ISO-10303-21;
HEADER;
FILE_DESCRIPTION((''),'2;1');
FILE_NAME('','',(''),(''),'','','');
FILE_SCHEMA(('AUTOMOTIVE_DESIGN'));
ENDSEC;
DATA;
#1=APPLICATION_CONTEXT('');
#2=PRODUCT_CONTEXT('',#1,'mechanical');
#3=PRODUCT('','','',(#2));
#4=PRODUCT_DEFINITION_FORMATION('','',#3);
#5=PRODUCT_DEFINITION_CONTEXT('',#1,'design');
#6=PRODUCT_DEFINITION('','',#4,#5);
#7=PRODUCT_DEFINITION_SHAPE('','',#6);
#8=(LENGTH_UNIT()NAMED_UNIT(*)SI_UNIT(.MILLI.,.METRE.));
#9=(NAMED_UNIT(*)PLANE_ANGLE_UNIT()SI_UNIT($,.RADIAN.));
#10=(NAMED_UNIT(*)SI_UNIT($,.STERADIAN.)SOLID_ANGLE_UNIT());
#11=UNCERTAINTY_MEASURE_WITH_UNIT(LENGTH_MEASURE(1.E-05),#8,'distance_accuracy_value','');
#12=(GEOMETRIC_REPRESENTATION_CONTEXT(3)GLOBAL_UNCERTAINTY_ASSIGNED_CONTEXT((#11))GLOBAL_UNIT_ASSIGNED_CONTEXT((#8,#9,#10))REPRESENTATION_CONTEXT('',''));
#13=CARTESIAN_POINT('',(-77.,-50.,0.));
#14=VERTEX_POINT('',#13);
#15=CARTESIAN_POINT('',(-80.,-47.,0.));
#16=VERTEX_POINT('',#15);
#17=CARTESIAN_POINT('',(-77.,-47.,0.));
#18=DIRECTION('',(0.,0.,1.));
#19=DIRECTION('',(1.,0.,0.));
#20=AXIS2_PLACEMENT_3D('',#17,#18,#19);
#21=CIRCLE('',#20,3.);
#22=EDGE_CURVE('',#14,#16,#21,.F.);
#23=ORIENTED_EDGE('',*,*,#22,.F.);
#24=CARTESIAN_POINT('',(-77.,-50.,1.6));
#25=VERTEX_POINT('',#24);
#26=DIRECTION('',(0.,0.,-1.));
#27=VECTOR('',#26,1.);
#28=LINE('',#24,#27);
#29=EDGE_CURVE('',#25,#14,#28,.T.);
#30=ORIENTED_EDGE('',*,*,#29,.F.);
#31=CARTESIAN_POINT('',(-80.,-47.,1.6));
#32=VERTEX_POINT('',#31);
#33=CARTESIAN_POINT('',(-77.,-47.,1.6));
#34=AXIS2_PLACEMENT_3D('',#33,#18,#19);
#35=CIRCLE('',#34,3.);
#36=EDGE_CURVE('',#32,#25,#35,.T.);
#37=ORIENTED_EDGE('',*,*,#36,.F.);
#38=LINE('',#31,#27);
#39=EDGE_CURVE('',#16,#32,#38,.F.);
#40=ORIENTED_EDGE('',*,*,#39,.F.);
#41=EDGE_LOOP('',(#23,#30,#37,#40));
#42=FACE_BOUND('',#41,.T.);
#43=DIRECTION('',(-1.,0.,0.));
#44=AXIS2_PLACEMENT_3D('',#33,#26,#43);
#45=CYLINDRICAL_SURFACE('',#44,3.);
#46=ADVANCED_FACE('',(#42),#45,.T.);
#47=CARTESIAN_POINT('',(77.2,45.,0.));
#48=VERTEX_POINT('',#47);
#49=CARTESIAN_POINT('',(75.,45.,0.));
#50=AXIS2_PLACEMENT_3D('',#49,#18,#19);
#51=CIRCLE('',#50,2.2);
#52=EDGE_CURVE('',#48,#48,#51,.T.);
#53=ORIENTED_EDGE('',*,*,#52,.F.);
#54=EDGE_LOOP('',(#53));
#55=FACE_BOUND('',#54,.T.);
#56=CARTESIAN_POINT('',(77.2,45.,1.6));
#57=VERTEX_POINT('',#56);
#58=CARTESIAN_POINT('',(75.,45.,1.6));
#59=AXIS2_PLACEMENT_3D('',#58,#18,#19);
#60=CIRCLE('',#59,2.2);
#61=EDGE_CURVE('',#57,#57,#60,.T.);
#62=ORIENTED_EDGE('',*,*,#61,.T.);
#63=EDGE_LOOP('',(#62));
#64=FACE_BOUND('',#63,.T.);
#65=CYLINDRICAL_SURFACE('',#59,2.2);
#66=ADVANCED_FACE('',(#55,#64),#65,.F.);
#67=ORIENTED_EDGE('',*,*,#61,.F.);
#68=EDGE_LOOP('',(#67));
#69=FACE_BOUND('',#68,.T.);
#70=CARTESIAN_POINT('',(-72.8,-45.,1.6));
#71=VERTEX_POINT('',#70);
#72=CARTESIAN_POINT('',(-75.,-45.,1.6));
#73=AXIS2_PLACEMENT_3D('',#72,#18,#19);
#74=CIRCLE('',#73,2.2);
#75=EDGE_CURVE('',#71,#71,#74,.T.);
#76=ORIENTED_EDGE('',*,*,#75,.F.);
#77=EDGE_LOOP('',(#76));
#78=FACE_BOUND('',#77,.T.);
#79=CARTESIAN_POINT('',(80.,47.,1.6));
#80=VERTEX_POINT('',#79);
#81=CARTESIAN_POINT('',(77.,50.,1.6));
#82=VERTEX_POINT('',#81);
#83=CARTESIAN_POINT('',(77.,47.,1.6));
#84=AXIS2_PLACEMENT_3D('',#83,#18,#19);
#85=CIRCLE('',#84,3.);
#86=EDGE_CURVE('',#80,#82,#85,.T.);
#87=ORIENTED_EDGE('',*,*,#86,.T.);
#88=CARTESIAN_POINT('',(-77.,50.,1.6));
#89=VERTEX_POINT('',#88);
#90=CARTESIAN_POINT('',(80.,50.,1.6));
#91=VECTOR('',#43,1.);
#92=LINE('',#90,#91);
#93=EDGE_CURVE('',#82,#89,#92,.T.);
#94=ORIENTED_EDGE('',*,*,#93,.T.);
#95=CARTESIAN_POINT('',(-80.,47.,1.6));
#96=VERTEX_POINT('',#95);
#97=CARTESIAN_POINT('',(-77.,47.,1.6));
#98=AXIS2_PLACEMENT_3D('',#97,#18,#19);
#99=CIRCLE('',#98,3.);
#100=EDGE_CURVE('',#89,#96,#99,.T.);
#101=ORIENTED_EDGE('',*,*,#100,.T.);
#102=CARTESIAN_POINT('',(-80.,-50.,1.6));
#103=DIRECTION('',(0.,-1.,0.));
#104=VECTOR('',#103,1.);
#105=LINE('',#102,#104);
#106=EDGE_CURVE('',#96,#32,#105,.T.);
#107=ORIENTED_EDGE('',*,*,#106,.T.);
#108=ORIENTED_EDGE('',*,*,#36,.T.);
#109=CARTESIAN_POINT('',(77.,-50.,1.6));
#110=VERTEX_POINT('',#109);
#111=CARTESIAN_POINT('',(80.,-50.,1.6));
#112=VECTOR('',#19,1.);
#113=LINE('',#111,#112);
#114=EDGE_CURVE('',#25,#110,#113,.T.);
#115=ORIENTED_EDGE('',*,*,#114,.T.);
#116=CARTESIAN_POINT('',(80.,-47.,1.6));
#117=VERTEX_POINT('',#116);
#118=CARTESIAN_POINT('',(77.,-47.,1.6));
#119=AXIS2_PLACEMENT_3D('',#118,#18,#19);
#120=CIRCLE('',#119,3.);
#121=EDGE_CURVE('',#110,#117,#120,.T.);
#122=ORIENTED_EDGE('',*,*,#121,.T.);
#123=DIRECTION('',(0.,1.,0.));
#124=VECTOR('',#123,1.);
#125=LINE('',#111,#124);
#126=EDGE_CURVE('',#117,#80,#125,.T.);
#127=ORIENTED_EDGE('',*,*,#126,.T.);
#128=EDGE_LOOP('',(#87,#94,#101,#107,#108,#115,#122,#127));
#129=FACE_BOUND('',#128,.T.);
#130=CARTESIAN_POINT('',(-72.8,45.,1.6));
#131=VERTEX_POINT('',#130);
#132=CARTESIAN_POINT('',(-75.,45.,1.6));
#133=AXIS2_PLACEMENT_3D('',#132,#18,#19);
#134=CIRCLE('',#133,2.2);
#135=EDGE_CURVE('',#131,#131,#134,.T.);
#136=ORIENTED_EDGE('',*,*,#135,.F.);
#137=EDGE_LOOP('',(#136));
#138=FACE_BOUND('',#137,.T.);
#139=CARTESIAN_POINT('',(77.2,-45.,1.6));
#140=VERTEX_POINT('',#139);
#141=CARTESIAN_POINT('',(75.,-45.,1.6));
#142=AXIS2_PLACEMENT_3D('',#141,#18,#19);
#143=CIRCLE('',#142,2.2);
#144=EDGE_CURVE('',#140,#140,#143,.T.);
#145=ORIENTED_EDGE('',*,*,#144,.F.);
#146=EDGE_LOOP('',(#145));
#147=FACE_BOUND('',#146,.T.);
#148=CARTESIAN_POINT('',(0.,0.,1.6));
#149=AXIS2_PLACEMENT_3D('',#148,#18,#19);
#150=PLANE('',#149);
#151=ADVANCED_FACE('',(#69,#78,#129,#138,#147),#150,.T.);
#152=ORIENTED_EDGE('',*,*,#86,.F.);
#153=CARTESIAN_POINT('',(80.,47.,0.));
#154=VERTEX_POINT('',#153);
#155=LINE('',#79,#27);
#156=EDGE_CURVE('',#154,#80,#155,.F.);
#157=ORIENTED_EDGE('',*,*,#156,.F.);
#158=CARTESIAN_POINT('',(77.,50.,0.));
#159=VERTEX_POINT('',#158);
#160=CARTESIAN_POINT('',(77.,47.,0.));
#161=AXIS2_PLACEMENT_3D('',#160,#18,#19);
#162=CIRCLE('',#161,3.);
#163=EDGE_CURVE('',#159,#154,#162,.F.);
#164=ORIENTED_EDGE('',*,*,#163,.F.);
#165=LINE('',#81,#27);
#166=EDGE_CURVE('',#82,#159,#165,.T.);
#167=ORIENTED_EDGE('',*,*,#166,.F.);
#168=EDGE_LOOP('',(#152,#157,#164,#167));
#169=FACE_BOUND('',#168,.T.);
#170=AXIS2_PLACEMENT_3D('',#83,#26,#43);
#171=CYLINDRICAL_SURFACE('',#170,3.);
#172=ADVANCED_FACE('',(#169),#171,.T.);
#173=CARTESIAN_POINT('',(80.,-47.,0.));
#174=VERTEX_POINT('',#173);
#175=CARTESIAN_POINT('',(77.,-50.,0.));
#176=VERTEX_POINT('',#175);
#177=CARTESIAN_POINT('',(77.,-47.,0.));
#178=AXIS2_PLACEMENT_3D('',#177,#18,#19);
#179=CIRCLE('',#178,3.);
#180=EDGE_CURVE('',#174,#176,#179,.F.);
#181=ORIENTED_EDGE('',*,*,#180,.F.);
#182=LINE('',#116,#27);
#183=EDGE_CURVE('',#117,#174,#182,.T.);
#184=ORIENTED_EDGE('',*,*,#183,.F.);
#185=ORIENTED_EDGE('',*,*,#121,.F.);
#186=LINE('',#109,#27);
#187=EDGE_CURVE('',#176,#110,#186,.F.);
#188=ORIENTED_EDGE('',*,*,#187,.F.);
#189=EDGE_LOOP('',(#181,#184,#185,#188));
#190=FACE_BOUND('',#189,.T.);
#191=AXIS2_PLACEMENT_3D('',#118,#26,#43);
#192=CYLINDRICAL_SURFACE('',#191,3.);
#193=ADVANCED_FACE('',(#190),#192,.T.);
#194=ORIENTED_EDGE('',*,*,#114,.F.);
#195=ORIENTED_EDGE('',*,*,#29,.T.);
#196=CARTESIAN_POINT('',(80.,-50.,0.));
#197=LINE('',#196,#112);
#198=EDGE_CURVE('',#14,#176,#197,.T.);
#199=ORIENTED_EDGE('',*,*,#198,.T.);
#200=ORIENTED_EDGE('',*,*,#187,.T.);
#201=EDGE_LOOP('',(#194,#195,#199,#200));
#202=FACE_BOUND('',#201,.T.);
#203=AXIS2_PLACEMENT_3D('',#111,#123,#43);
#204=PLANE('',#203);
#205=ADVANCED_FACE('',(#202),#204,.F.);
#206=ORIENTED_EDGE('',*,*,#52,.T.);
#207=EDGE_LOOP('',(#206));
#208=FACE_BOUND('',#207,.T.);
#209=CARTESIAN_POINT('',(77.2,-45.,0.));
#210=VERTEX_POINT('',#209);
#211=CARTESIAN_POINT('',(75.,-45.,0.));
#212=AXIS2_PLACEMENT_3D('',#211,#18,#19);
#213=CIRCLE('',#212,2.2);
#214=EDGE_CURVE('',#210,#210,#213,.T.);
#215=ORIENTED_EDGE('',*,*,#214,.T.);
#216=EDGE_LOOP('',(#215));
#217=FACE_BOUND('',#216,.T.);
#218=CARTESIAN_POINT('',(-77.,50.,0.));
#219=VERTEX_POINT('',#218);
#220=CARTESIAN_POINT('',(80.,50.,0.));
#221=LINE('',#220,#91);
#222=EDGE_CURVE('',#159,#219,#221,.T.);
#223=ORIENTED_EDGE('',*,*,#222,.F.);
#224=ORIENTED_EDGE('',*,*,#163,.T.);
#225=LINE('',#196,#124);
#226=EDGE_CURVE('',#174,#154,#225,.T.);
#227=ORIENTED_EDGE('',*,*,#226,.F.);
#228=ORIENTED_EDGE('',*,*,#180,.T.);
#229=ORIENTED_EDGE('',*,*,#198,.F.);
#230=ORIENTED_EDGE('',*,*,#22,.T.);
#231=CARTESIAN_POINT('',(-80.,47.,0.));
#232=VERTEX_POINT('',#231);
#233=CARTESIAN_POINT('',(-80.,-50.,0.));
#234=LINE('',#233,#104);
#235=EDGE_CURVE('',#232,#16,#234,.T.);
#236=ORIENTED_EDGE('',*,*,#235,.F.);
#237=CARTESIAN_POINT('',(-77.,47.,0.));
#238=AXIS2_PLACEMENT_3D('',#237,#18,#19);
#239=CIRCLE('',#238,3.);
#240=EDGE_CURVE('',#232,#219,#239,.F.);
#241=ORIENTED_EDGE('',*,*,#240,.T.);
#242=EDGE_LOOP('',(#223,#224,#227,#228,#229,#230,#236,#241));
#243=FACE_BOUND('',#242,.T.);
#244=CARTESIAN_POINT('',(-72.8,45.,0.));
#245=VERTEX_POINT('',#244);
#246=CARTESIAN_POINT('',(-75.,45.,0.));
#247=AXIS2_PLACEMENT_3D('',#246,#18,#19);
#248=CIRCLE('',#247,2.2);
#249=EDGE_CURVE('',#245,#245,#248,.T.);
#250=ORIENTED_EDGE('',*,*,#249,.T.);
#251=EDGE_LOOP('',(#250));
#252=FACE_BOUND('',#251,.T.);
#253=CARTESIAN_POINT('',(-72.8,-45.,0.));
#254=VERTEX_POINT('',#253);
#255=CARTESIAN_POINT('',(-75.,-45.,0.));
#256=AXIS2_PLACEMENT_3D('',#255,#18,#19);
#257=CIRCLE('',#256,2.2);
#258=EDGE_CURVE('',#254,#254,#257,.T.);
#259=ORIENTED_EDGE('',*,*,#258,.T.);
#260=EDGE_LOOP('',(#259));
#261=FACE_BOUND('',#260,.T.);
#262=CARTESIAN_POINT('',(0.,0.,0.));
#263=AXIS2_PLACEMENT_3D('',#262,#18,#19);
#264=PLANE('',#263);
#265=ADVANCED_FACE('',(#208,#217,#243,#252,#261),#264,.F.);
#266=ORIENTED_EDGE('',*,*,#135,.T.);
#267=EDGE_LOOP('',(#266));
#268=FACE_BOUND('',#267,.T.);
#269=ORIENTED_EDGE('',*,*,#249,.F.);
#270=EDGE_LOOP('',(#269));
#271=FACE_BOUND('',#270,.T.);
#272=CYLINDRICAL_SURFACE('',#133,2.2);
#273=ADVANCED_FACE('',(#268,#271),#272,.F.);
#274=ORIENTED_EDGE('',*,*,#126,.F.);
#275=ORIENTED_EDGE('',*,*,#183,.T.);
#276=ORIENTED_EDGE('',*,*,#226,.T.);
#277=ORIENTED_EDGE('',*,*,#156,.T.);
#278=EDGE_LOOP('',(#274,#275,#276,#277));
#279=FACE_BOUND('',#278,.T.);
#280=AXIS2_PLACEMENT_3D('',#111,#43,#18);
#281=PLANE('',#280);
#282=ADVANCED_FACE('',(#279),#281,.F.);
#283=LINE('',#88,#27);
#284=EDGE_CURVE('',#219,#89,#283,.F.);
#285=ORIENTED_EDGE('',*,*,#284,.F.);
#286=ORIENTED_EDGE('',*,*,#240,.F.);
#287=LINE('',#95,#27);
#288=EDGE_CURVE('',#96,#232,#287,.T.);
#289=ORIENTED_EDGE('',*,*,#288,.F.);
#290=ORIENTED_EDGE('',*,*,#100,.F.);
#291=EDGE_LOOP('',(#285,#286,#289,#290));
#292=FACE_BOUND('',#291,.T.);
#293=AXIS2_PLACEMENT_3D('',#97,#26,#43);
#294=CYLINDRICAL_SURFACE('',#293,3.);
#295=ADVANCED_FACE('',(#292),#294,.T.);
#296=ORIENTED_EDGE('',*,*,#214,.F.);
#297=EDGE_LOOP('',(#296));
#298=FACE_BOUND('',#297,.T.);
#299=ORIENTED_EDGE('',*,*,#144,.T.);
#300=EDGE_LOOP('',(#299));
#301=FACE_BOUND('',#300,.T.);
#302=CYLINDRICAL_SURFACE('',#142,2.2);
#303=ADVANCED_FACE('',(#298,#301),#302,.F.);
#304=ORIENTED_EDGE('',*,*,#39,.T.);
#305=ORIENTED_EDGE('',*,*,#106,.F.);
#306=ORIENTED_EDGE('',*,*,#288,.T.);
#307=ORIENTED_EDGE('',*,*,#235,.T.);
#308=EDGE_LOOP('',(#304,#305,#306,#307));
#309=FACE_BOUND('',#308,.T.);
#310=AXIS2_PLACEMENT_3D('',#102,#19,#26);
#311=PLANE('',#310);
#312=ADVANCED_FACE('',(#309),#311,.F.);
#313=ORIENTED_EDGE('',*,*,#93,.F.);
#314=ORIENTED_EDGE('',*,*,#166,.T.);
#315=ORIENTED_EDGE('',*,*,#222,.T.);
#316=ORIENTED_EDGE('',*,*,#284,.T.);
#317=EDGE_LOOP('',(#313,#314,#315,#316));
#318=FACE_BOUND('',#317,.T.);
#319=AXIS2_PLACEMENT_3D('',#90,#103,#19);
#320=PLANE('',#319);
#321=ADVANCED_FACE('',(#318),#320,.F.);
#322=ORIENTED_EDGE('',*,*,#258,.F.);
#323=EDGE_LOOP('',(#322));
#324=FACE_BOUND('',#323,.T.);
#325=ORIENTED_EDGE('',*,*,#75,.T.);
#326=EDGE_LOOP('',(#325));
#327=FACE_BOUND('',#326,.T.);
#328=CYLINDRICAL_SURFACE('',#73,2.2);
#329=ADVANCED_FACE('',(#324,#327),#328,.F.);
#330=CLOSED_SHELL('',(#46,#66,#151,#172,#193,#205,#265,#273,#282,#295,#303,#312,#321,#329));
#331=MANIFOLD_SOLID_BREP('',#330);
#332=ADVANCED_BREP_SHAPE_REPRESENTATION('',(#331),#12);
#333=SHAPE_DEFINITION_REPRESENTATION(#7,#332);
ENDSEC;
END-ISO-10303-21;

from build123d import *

# Parameters (mm, degrees)
SKETCH_1_W             = 160
SKETCH_1_H             = 100
EXTRUDE_1_DEPTH        = 1.6
FILLET_1_R             = 3
HOLE_WIZARD_M3_1_D     = 4.4
HOLE_WIZARD_M3_1_DEPTH = 6


with BuildPart() as part:
    # ｽｹｯﾁ1 → ﾎﾞｽ - 押し出し1 (new body)
    with BuildSketch(Plane.XY):
        Rectangle(SKETCH_1_W, SKETCH_1_H)
    extrude(amount=EXTRUDE_1_DEPTH)

    # ﾌｨﾚｯﾄ1
    fillet_1_edges = [part.edges().sort_by_distance(p)[0] for p in [
        (-80, 50, 0.8),
        (80, 50, 0.8),
        (80, -50, 0.8),
        (-80, -50, 0.8),
    ]]
    fillet(fillet_1_edges, radius=FILLET_1_R)

    # M3 すきま穴1
    with Locations(Plane.XY.offset(1.6)):
        with Locations((-75, -45), (-75, 45), (75, 45), (75, -45)):
            Hole(HOLE_WIZARD_M3_1_D / 2, depth=HOLE_WIZARD_M3_1_DEPTH)


solid = part.part
